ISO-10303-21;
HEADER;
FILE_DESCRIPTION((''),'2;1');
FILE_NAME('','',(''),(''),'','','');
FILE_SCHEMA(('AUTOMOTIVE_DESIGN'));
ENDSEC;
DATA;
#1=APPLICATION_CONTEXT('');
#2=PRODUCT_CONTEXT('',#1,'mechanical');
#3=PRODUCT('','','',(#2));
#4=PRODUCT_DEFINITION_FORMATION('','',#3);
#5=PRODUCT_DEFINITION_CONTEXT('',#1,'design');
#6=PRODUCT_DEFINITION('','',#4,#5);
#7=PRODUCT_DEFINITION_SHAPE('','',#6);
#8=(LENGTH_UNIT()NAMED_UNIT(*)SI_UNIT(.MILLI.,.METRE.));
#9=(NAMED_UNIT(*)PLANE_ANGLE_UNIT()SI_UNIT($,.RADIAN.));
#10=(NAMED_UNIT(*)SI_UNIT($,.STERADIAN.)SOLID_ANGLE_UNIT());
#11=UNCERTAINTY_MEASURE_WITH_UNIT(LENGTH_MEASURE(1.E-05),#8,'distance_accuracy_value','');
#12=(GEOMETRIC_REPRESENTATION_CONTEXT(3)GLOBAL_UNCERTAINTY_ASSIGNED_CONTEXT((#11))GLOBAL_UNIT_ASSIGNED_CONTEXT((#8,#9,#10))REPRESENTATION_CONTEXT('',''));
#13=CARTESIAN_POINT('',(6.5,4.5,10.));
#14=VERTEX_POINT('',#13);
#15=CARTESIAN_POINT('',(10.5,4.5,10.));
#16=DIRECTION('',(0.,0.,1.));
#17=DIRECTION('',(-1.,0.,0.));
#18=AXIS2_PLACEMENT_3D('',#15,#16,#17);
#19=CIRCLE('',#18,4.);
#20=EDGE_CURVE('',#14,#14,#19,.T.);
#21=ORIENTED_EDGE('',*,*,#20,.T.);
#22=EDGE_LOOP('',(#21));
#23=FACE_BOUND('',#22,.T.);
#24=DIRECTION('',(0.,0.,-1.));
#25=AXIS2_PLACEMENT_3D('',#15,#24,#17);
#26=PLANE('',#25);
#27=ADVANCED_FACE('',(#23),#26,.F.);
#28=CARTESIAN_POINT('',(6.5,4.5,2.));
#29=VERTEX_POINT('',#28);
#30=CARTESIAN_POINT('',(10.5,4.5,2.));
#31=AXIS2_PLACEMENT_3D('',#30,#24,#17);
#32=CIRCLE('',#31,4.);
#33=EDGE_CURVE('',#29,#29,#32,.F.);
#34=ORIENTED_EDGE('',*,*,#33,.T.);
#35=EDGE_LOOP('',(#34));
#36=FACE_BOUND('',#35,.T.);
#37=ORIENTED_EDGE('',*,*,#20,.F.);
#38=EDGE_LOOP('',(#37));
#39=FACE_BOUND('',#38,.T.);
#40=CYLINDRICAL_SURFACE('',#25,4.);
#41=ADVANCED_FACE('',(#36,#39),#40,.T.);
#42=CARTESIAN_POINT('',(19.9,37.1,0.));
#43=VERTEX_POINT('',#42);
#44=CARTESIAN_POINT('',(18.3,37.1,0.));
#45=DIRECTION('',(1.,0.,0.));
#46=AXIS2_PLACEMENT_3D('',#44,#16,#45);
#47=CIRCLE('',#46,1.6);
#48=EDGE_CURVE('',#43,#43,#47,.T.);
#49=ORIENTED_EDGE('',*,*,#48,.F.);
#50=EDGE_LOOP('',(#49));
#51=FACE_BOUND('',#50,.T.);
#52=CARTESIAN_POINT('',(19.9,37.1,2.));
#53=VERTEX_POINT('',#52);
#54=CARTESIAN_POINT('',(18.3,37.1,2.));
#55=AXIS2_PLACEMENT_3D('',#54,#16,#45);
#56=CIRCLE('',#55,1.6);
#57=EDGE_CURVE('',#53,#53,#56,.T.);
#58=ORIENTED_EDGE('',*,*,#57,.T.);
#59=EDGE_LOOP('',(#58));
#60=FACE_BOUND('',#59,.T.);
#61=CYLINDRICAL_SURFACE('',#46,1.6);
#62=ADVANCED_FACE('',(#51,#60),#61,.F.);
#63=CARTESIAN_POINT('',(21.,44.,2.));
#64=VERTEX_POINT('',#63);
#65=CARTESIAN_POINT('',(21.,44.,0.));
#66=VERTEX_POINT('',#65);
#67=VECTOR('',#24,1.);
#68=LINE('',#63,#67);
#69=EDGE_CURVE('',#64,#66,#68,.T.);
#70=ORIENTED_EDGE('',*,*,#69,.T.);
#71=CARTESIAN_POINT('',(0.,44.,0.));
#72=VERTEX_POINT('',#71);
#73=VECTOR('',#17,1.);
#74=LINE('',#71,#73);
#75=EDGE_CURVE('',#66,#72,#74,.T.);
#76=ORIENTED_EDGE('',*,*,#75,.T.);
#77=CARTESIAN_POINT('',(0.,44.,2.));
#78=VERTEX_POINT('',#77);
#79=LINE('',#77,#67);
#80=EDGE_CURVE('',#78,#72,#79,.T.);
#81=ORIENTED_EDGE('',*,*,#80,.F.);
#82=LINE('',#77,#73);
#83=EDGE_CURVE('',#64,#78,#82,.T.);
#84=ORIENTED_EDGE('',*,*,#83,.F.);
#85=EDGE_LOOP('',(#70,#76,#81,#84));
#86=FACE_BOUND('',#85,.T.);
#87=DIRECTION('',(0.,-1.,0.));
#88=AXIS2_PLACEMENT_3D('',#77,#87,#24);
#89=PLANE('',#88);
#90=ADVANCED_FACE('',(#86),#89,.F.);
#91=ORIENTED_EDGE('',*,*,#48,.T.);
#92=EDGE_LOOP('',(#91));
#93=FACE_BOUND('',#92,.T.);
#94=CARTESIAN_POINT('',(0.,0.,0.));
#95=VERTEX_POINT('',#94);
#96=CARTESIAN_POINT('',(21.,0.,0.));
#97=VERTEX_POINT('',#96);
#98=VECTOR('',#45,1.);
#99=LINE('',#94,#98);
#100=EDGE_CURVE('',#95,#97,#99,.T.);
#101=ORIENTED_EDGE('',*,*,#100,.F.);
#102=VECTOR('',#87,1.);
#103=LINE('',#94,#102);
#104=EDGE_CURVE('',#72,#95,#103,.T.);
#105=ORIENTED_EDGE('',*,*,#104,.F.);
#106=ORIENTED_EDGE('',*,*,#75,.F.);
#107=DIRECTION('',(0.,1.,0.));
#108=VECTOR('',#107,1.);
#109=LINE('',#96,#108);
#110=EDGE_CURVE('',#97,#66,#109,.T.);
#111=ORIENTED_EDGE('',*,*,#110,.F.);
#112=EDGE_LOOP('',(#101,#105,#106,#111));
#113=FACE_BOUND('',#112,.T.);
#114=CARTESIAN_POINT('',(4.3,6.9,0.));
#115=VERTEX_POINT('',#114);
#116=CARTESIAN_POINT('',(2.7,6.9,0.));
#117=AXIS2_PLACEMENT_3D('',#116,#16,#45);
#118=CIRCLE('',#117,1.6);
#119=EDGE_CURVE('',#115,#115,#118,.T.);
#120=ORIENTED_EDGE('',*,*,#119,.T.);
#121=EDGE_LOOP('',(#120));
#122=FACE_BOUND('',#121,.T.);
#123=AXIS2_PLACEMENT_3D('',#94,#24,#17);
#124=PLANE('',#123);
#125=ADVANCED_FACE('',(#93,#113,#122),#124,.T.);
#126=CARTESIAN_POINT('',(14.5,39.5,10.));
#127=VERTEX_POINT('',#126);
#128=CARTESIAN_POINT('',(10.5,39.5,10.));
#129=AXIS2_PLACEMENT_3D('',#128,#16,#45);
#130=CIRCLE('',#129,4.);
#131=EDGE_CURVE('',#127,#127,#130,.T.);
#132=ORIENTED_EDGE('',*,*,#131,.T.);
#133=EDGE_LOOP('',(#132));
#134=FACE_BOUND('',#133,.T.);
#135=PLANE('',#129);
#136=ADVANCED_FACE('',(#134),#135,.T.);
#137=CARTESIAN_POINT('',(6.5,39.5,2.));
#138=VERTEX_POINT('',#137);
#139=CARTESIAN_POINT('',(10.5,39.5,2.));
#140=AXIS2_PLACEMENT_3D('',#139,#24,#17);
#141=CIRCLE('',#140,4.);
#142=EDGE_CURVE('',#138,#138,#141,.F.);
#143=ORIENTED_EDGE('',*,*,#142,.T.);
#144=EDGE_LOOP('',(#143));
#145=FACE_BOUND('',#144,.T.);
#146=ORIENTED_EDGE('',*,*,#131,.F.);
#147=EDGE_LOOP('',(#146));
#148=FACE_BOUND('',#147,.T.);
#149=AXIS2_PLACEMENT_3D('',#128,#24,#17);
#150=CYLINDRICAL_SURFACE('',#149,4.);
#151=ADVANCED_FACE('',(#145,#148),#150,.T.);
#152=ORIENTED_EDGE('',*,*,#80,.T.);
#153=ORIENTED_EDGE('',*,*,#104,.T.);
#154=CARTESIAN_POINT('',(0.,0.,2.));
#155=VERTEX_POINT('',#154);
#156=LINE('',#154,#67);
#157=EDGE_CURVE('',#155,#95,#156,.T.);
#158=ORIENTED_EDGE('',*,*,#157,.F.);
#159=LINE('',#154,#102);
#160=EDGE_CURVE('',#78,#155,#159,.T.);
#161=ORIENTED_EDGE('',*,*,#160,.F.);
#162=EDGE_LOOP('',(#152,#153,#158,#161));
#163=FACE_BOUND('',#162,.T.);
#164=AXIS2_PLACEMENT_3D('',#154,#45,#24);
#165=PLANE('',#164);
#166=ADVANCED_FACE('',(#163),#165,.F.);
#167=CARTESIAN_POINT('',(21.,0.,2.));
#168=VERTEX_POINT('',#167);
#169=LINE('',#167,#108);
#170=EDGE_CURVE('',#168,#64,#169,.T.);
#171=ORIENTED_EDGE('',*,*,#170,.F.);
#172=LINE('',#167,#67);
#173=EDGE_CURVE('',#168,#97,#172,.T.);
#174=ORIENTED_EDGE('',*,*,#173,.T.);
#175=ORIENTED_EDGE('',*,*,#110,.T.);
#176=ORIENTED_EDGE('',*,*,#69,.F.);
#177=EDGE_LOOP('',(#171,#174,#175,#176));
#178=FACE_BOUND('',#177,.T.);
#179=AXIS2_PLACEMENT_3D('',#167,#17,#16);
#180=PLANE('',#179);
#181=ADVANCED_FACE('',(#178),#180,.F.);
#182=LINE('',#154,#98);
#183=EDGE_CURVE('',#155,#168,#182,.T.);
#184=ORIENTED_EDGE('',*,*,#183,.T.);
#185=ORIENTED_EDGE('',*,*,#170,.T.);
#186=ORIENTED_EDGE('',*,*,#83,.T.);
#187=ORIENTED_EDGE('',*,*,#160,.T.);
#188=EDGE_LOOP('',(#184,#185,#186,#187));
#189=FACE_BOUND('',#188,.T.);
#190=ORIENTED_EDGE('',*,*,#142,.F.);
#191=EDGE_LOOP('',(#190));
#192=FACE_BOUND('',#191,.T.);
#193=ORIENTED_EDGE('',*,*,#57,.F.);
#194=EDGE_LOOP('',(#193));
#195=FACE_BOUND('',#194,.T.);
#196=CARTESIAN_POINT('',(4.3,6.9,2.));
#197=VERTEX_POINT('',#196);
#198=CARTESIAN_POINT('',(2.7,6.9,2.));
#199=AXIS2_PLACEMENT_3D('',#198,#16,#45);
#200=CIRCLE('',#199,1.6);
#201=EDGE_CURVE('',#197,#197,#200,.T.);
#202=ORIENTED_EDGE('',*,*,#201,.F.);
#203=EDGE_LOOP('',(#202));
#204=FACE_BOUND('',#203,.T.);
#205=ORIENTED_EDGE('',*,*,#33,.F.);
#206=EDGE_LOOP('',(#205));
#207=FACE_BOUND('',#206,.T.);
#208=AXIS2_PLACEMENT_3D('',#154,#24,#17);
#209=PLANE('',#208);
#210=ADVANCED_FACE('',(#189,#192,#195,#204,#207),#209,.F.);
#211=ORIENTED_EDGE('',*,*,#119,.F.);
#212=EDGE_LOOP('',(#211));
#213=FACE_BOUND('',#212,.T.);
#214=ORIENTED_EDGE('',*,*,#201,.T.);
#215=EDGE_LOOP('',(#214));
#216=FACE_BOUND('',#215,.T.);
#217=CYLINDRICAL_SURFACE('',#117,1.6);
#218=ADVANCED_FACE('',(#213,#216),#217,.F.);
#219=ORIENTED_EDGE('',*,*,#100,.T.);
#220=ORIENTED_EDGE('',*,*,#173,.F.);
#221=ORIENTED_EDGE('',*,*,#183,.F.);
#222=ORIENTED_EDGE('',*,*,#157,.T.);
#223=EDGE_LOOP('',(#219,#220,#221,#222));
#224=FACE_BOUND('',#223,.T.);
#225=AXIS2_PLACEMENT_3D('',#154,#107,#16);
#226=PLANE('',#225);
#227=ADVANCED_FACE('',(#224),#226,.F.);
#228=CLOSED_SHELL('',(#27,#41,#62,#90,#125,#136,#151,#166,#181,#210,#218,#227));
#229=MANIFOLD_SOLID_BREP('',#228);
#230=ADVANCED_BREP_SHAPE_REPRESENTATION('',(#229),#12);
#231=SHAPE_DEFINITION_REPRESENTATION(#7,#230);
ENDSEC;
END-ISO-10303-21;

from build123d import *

# Parameters (mm, degrees)
SKETCH1_W           = 21
SKETCH1_H           = 44
BOSS_EXTRUDE1_DEPTH = 2
SKETCH2_R           = 1.6
CUT_EXTRUDE1_DEPTH  = 3
SKETCH3_R           = 4
BOSS_EXTRUDE2_DEPTH = 8


with BuildPart() as part:
    # Sketch1 → Boss-Extrude1 (new body)
    with BuildSketch(Plane.XY):
        with Locations((10.5, 22)):
            Rectangle(SKETCH1_W, SKETCH1_H)
    extrude(amount=BOSS_EXTRUDE1_DEPTH)

    # Sketch2 → Cut-Extrude1 (cut, through all)
    with BuildSketch(Plane.XY.offset(2)):
        with Locations((18.3, 37.1)):
            Circle(SKETCH2_R)
        with Locations((2.7, 6.9)):
            Circle(SKETCH2_R)
    extrude(amount=-CUT_EXTRUDE1_DEPTH, mode=Mode.SUBTRACT)

    # Sketch3 → Boss-Extrude2 (add)
    with BuildSketch(Plane.XY.offset(2)):
        with Locations((10.5, 39.5)):
            Circle(SKETCH3_R)
        with Locations((10.5, 4.5)):
            Circle(SKETCH3_R)
    extrude(amount=BOSS_EXTRUDE2_DEPTH)


solid = part.part
